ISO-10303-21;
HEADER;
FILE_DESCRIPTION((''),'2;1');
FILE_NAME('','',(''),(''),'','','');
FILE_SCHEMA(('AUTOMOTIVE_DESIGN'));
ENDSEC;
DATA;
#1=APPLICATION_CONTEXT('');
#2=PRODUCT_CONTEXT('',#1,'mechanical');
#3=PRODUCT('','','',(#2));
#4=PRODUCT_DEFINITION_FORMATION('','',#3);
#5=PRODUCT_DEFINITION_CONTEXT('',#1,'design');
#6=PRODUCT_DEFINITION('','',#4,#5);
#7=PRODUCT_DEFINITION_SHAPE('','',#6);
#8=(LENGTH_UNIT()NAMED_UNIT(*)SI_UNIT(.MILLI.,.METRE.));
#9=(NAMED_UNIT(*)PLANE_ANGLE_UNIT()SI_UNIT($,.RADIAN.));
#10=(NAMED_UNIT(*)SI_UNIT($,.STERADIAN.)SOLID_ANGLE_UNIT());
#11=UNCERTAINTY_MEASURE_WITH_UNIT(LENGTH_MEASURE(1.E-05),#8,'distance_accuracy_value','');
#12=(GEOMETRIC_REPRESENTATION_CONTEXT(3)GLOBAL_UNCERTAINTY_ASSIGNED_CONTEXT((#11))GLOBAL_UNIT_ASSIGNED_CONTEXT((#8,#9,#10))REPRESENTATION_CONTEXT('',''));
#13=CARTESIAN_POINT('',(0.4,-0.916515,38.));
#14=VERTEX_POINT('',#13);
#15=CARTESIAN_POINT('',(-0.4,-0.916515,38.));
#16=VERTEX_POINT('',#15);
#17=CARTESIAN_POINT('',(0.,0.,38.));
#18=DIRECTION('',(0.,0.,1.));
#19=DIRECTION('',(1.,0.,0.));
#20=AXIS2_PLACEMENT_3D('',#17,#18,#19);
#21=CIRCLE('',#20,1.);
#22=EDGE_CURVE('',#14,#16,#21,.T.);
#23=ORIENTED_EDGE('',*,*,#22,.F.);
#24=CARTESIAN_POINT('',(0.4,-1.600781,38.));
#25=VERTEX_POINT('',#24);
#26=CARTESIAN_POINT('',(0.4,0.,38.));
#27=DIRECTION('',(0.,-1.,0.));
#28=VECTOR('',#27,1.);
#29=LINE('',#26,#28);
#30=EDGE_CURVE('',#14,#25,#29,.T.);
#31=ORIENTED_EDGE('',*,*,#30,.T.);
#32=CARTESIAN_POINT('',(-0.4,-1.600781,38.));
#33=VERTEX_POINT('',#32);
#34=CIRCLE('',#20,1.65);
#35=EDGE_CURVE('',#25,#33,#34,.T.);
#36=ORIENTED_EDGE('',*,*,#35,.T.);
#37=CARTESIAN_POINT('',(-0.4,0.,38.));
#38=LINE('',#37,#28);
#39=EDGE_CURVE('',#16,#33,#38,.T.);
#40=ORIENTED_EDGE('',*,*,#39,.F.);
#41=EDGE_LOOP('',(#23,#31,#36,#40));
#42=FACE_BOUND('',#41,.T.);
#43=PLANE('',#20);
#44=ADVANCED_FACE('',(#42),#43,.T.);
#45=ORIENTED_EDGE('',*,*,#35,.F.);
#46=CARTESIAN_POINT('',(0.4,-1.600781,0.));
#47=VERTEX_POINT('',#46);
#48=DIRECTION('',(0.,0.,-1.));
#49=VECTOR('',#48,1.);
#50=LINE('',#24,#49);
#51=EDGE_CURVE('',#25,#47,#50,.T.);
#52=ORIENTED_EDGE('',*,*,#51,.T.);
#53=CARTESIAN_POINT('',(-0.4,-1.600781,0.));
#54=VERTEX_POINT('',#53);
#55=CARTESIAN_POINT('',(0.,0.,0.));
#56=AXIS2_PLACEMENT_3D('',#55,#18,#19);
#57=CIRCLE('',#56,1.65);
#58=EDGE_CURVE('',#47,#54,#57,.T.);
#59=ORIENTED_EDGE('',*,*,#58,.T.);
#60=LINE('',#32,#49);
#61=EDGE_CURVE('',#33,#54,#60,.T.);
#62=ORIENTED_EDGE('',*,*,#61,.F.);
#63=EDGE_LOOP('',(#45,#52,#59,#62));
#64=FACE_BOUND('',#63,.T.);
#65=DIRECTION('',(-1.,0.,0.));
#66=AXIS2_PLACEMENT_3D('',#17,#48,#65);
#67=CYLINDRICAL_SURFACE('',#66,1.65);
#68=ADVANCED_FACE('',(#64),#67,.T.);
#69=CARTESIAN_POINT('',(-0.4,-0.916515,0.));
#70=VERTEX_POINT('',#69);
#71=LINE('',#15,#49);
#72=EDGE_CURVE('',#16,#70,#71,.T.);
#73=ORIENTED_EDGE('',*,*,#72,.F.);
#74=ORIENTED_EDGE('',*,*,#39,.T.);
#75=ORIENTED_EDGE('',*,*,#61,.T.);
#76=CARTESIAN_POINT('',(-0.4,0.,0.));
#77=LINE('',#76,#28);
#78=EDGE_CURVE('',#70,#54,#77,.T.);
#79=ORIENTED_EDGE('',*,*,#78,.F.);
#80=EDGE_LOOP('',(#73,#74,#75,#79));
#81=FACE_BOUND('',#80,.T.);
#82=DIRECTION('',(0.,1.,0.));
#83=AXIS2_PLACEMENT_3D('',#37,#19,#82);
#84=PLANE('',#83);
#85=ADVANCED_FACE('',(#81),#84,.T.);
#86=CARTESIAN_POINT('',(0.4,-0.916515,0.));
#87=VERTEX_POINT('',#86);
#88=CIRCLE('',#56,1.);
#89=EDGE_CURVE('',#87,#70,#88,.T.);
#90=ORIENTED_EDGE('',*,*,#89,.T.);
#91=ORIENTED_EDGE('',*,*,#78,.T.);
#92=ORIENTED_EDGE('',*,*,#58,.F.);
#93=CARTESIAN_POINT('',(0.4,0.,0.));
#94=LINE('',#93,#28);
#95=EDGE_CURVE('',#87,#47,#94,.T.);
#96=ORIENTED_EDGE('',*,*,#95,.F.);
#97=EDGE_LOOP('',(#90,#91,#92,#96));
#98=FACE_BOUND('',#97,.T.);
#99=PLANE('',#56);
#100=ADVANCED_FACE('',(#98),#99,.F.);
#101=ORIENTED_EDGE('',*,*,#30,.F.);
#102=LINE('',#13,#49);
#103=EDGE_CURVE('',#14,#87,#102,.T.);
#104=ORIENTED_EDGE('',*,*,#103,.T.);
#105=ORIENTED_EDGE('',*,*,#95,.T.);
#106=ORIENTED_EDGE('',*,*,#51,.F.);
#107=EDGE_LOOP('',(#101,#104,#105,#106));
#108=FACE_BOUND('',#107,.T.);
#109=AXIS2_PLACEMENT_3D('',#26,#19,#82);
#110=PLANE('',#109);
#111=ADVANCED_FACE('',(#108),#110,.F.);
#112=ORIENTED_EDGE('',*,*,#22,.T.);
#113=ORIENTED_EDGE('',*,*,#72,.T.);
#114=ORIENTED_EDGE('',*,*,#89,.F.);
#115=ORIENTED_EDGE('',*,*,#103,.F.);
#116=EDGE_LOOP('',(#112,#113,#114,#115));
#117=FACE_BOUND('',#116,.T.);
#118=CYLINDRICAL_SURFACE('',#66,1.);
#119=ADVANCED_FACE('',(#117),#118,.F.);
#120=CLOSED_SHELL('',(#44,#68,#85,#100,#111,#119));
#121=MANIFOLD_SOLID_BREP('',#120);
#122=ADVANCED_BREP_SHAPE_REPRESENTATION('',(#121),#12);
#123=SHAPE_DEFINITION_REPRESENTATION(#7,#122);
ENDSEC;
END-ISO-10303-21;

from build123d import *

# Parameters (mm, degrees)
DOWEL_BODY_DEPTH = 38


with BuildPart() as part:
    # Sketch1 → dowel_body (new body)
    with BuildSketch(Plane.XY):
        with BuildLine():
            Line((-0.4, -1.600781059), (-0.4, -0.916515139))
            ThreePointArc((-0.4, -0.916515139), (-0.547722558, 0.836660027), (1, 0))
            ThreePointArc((1, 0), (0.836660027, -0.547722558), (0.4, -0.916515139))
            Line((0.4, -0.916515139), (0.4, -1.600781059))
            ThreePointArc((0.4, -1.600781059), (1.30048068, -1.015504801), (1.65, 0))
            ThreePointArc((1.65, 0), (-1.015504801, 1.30048068), (-0.4, -1.600781059))
        make_face()
    extrude(amount=DOWEL_BODY_DEPTH)


solid = part.part
